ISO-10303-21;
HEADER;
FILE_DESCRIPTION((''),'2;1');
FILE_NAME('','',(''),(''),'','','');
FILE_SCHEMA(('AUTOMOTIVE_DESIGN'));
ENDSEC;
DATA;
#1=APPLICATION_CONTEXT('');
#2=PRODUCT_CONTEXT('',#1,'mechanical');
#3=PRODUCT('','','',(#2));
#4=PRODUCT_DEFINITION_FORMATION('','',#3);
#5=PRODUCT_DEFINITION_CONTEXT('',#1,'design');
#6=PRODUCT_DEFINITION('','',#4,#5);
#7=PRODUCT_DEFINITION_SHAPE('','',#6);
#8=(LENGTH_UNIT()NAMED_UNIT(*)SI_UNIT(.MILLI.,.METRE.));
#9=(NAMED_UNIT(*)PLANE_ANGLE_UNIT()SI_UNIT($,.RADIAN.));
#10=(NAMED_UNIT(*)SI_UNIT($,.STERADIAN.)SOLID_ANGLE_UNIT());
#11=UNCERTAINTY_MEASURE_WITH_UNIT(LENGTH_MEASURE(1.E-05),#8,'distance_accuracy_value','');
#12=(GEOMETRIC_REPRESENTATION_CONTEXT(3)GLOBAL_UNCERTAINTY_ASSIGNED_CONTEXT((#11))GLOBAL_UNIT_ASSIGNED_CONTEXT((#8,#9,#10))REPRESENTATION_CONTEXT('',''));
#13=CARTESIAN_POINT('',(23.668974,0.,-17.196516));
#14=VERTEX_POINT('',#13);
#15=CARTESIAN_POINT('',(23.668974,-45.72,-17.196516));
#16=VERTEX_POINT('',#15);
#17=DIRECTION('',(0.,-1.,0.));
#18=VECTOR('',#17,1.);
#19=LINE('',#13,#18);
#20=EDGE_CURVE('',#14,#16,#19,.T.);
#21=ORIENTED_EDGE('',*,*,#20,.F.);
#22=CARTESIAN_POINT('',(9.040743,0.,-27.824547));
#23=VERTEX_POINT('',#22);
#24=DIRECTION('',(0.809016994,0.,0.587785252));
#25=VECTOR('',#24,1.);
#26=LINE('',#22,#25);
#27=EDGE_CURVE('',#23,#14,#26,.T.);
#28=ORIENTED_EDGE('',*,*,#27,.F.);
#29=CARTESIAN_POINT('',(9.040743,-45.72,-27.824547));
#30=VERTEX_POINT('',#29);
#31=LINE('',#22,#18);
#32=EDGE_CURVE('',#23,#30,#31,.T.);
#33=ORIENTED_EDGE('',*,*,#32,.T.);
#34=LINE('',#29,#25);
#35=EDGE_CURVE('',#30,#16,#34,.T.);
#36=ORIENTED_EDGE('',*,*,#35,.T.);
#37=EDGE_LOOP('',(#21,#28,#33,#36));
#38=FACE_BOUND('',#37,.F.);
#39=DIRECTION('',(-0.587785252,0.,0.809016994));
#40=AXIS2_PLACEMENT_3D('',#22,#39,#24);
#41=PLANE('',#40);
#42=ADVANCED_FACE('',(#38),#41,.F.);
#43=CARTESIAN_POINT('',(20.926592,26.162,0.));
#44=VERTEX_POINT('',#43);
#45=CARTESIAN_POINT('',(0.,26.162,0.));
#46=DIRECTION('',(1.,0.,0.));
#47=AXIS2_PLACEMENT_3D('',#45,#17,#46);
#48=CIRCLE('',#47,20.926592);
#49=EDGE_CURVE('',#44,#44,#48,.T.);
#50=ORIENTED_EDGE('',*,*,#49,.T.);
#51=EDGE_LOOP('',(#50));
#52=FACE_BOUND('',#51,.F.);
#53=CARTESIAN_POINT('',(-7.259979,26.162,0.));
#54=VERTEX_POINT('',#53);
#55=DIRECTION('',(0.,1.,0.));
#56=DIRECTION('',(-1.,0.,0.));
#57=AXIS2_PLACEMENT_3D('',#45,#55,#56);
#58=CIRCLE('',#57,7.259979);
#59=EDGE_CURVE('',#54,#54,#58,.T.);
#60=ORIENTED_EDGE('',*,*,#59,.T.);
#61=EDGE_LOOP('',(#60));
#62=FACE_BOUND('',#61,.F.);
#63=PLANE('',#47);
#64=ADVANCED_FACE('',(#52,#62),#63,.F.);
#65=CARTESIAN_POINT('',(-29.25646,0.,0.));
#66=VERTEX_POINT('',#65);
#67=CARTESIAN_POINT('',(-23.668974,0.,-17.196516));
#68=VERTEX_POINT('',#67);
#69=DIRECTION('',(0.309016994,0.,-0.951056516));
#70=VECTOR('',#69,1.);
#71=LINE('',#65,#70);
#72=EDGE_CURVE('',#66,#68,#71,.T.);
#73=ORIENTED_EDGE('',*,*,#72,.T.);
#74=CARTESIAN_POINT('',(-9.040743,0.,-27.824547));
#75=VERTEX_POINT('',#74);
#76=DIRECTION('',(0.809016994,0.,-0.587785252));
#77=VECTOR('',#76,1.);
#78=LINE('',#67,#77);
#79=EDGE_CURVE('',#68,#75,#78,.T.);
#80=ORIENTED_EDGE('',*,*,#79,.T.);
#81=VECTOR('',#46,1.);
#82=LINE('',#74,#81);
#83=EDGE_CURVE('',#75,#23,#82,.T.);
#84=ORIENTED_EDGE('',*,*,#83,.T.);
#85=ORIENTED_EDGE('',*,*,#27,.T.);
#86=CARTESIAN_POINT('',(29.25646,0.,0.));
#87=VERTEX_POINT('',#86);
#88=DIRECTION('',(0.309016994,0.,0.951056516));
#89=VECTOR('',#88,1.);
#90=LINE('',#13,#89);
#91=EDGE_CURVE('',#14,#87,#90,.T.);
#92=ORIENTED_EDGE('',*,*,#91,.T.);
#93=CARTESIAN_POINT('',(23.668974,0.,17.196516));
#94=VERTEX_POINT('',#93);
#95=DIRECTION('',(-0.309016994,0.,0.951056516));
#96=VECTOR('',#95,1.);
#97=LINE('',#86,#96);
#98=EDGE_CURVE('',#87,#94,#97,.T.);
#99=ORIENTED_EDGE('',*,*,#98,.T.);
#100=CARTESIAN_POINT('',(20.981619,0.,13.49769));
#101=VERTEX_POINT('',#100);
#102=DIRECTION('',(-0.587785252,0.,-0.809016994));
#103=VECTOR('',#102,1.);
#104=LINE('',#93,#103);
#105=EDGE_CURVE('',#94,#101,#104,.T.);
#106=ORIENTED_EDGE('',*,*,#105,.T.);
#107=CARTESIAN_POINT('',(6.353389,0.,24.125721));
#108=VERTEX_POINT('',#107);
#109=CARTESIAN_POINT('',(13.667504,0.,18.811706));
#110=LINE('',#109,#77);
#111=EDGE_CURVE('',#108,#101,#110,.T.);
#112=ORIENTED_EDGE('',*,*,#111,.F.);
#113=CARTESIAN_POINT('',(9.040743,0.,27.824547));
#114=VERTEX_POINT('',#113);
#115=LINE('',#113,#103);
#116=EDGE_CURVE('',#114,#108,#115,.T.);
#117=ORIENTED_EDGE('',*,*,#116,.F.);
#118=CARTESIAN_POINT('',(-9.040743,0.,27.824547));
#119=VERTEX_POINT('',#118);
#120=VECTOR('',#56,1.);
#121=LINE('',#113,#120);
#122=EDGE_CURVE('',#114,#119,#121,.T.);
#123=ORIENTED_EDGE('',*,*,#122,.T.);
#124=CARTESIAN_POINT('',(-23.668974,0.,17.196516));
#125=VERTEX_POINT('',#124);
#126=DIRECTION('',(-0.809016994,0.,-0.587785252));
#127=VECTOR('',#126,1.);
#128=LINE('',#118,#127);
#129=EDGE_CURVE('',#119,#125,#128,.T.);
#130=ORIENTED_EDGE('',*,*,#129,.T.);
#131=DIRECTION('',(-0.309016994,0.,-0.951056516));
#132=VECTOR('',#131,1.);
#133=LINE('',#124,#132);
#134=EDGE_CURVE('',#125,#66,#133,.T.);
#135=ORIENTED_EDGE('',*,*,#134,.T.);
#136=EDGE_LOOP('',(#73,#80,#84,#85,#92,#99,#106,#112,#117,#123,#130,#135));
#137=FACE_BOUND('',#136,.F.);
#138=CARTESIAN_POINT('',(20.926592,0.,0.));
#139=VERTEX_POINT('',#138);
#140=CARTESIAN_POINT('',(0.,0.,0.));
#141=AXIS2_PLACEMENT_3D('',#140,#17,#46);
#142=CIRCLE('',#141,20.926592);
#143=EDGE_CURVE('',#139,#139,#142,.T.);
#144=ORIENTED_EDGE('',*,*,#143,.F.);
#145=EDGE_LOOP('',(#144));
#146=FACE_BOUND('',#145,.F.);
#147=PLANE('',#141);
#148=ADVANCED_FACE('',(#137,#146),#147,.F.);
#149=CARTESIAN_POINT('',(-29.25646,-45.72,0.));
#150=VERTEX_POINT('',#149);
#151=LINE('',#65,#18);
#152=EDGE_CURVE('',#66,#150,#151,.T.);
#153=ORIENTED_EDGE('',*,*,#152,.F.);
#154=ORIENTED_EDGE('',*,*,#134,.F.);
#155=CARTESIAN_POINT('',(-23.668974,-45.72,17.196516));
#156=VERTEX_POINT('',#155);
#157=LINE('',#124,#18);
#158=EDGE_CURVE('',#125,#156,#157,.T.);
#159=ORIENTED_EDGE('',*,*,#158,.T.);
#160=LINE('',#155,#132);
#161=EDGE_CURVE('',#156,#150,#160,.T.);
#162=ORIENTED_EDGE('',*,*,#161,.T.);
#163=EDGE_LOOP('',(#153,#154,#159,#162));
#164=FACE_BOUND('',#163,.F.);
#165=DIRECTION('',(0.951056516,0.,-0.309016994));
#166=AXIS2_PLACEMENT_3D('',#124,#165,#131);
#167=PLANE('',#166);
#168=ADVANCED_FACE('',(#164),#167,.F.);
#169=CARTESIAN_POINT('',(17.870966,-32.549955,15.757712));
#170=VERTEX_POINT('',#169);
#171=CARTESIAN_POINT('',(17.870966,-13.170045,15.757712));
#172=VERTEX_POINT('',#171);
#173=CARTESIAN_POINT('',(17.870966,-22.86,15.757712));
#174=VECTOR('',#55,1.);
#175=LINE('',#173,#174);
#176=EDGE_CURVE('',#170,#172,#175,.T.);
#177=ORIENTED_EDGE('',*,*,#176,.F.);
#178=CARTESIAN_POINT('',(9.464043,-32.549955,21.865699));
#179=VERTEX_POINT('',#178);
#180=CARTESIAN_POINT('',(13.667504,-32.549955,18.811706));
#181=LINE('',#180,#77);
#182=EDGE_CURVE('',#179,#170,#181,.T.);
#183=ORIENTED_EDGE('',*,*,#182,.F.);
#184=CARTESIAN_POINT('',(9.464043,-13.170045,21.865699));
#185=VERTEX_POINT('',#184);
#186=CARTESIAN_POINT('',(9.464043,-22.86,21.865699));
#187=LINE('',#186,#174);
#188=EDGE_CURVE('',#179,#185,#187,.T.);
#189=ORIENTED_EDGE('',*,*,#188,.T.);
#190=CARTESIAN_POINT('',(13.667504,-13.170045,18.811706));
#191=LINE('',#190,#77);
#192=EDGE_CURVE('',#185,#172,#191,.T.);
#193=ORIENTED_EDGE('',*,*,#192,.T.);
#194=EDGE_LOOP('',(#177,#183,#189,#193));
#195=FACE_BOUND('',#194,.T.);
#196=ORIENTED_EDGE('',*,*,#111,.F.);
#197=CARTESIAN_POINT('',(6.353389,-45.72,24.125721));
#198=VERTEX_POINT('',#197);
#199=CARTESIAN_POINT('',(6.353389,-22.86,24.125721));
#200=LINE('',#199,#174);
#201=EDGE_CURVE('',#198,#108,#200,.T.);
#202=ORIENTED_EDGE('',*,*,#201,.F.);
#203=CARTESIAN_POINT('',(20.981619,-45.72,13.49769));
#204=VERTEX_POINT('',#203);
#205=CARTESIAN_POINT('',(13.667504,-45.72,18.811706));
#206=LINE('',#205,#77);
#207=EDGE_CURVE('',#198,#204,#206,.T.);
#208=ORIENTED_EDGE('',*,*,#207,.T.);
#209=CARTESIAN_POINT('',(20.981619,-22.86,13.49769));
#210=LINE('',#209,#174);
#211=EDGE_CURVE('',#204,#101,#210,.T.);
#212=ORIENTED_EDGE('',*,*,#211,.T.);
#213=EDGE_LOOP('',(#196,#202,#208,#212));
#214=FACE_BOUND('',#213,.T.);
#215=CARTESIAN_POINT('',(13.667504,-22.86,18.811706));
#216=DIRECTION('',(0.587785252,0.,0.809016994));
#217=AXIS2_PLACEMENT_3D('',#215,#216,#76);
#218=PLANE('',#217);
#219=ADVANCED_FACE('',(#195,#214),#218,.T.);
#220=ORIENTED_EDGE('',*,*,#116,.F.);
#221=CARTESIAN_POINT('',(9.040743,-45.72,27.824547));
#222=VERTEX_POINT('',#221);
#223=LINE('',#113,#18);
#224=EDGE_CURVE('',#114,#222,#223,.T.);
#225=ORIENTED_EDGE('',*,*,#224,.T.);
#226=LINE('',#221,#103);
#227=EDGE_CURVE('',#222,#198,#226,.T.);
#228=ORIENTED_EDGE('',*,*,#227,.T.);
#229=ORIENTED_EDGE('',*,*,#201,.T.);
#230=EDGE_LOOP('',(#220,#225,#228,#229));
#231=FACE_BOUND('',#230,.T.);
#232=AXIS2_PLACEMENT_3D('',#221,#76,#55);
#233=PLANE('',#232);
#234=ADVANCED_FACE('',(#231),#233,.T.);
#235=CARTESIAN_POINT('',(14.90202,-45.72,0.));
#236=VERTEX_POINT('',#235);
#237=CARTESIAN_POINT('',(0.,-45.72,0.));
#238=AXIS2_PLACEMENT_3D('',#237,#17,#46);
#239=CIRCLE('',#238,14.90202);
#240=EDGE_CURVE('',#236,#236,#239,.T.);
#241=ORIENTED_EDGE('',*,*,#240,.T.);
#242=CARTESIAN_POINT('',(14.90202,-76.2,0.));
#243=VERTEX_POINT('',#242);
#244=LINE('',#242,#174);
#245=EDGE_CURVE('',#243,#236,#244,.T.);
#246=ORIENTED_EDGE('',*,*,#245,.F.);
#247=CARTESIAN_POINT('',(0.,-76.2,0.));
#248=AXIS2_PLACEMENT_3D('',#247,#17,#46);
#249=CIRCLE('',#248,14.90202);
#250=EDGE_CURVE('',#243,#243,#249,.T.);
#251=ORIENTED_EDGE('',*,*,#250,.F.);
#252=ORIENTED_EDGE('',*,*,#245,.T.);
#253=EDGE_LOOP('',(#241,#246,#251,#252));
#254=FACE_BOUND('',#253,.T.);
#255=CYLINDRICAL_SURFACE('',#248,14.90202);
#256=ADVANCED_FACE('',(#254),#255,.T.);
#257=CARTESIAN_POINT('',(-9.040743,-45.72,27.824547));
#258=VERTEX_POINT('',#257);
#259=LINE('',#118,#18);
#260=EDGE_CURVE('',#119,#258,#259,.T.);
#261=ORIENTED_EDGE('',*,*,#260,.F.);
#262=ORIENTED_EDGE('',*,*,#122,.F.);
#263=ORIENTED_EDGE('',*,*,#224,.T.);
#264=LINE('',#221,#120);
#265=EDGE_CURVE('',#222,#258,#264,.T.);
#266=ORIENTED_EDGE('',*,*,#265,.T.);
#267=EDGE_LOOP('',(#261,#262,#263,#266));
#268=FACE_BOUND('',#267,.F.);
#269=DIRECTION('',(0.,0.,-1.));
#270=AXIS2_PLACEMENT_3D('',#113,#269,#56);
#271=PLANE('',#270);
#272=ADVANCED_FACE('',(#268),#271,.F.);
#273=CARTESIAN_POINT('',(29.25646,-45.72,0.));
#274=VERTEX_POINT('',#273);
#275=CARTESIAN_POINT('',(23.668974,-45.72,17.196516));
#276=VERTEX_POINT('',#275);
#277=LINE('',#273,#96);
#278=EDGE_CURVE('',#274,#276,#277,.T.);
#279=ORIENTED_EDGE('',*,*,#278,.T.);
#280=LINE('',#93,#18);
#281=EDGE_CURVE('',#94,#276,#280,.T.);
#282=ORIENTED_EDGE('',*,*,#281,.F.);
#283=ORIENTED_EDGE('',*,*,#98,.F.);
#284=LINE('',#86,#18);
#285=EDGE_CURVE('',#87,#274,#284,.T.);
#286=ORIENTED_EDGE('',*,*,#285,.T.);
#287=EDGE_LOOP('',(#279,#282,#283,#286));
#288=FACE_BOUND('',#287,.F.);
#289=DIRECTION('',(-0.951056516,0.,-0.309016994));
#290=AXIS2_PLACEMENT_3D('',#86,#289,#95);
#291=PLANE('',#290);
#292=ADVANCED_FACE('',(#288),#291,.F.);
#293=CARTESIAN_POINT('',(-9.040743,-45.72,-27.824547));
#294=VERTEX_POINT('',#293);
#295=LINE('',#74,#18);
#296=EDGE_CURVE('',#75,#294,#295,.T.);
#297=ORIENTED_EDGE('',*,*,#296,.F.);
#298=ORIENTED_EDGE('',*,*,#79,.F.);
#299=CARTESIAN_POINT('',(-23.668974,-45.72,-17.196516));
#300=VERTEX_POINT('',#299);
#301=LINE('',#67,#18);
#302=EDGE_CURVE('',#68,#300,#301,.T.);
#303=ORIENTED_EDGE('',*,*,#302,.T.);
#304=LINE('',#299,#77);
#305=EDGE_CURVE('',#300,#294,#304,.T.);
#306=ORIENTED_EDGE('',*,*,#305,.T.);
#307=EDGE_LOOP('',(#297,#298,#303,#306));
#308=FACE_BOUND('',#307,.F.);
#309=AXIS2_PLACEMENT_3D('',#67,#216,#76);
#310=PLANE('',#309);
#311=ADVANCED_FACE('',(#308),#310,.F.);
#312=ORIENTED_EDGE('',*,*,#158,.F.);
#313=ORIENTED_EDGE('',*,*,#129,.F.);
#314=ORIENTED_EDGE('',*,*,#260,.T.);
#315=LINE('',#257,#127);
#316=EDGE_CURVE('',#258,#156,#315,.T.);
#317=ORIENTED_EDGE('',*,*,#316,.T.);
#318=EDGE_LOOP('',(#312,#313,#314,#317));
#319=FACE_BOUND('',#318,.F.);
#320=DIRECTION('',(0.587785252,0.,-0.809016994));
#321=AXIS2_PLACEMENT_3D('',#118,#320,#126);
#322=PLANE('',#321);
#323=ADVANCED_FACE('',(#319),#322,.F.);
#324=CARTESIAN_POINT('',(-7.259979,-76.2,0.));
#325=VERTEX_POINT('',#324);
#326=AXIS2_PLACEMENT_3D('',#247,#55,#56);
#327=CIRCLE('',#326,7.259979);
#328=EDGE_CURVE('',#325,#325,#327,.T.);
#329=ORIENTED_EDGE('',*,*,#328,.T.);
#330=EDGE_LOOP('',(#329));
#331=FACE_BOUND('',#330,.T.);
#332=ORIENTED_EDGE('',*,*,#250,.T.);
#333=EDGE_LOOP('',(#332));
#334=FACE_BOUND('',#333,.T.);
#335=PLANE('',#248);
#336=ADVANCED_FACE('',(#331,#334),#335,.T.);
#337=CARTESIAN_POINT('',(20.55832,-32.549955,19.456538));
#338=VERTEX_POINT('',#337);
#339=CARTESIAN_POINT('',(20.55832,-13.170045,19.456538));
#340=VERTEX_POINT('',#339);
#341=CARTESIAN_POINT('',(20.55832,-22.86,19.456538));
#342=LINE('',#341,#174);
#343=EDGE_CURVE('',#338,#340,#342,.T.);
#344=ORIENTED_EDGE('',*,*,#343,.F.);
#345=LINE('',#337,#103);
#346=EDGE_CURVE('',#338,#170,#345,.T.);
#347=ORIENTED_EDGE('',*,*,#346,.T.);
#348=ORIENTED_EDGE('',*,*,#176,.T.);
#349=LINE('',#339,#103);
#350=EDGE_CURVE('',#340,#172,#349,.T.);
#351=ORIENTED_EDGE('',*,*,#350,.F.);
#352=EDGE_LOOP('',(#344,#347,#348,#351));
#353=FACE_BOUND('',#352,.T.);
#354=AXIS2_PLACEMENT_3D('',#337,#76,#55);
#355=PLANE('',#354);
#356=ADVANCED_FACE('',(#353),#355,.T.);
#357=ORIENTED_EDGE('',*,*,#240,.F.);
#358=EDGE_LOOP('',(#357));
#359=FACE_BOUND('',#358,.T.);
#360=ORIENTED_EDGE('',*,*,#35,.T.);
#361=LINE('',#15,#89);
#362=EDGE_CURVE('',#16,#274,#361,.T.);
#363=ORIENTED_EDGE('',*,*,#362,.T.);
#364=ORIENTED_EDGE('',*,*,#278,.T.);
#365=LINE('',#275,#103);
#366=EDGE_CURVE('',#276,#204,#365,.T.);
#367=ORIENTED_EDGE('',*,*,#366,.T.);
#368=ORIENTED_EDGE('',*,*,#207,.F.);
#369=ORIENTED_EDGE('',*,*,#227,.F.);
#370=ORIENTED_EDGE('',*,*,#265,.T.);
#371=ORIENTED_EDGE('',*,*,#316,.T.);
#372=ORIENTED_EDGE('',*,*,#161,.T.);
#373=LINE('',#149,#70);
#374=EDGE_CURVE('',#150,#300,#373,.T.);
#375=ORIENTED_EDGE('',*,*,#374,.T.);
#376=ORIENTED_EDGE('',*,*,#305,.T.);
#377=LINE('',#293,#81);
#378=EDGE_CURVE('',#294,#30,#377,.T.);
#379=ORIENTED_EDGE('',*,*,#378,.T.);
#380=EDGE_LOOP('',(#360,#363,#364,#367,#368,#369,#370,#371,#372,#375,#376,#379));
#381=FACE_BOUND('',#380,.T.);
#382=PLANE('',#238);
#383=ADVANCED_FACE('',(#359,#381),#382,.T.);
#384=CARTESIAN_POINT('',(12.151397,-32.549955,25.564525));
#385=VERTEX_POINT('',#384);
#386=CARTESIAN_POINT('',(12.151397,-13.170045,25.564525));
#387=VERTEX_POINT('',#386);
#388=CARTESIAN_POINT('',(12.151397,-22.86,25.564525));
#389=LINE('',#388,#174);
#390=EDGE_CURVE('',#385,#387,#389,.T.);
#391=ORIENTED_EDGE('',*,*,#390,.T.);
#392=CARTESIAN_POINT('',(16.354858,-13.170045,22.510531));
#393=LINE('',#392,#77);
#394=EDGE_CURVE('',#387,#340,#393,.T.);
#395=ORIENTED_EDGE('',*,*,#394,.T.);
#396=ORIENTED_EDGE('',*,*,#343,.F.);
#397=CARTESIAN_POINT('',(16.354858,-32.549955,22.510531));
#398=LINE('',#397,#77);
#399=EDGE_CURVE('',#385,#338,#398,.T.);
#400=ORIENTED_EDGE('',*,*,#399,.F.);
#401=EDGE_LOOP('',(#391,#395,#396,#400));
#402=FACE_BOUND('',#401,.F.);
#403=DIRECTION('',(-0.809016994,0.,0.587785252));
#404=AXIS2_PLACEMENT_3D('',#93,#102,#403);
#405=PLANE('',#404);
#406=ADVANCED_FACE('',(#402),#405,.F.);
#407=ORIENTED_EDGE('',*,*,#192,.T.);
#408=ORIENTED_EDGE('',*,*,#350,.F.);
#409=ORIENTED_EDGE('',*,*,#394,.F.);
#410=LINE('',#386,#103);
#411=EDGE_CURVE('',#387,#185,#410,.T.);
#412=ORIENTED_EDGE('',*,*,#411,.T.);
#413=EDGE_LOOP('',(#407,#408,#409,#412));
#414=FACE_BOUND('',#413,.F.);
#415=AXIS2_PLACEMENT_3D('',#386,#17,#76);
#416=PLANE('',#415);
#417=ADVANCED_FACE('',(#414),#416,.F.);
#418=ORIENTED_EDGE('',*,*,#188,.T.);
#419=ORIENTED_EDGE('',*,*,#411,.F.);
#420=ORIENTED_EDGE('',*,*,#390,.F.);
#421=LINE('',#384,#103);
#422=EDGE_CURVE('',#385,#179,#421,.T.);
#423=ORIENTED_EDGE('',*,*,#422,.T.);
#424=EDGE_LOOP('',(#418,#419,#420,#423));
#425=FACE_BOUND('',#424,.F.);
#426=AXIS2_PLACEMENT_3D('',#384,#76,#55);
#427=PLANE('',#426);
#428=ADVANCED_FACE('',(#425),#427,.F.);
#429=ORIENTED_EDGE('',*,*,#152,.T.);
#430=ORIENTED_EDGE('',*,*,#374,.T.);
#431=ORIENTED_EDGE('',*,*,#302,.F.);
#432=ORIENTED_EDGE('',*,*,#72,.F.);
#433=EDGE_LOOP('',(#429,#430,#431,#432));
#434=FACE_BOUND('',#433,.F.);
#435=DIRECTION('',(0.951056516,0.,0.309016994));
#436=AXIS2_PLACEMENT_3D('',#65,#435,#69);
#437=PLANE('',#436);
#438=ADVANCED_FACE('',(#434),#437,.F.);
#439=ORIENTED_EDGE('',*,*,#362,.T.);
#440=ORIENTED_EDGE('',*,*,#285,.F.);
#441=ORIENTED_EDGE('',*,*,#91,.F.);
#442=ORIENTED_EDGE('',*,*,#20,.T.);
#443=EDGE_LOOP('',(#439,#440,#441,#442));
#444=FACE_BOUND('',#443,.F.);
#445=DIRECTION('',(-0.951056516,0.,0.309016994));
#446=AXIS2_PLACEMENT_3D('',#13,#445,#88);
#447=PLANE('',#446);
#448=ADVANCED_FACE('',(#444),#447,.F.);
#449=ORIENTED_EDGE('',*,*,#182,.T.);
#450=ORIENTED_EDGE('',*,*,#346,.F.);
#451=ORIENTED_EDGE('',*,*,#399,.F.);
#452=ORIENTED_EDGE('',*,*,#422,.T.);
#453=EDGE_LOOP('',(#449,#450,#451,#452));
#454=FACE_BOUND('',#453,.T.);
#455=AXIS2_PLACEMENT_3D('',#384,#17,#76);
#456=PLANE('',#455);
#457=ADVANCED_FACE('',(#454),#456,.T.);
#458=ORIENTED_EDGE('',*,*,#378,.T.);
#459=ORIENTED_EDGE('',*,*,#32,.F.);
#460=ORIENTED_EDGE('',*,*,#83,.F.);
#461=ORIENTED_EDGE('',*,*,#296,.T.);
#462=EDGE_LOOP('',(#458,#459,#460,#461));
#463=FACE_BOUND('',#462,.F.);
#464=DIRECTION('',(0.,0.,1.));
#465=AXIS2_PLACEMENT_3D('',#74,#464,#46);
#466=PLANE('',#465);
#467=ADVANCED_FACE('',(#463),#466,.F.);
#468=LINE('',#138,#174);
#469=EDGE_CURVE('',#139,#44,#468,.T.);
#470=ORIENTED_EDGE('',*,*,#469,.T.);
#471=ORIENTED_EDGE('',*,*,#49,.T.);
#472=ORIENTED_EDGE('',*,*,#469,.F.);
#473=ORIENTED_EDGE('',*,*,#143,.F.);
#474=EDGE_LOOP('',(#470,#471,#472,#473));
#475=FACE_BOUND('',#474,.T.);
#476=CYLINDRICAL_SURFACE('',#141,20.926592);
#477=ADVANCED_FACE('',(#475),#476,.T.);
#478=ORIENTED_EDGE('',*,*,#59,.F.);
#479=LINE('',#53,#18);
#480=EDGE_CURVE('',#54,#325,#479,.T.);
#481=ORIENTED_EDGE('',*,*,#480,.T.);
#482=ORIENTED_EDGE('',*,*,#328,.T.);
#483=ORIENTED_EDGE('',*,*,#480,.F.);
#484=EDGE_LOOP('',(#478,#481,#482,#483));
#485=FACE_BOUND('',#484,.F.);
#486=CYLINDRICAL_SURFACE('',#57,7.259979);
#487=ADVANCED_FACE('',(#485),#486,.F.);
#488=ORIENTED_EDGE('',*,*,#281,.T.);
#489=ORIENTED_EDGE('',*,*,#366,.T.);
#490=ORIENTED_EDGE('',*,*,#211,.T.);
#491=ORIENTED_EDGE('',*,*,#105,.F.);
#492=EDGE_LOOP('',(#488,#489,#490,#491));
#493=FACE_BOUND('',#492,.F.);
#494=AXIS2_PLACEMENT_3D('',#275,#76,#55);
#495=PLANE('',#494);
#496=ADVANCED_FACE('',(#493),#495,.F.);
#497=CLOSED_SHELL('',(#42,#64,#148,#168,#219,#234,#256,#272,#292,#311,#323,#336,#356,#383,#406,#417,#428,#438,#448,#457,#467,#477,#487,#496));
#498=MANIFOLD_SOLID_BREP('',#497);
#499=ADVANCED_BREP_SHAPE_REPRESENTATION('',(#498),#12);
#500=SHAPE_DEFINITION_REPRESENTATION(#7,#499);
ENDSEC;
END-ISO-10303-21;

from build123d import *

# Parameters (mm, degrees)
F1_DEPTH = 76.2
F2_R     = 14.9020196794
F3_DEPTH = 30.48
F4_R     = 20.9265916745
F5_DEPTH = 26.162
F6_W     = 18.0814868103
F6_H     = 45.72
F6_W_2   = 10.3915287182
F6_H_2   = 19.3799102616
F7_DEPTH = 4.572
F8_R     = 7.2599789629
F9_DEPTH = 110.998


with BuildPart() as f1:
    # F0 (on Front) → F1 (new body)
    with BuildSketch(Plane.XZ):
        Polygon((9.0407434051, 27.8245471418), (-9.0407434051, 27.8245471418), (-23.6689735182, 17.1965158552), (-29.2564602261, 0), (-23.6689735182, -17.1965158552), (-9.0407434051, -27.8245471418), (9.0407434051, -27.8245471418), (23.6689735182, -17.1965158552), (29.2564602261, 0), (23.6689735182, 17.1965158552), align=None)
    extrude(amount=F1_DEPTH)

    # F2 (on face) → F3 (cut)
    with BuildSketch(Plane.XZ.offset(76.2)):
        Polygon((29.2564602261, 0), (23.6689735182, 17.1965158552), (9.0407434051, 27.8245471418), (-9.0407434051, 27.8245471418), (-23.6689735182, 17.1965158552), (-29.2564602261, 0), (-23.6689735182, -17.1965158552), (-9.0407434051, -27.8245471418), (9.0407434051, -27.8245471418), (23.6689735182, -17.1965158552), align=None)
        Circle(F2_R, mode=Mode.SUBTRACT)
    extrude(amount=-F3_DEPTH, mode=Mode.SUBTRACT)

    # F4 (on Front) → F5 (join)
    with BuildSketch(Plane.XZ):
        Circle(F4_R)
    extrude(amount=-F5_DEPTH)

    # F6 (on face) → F7 (cut)
    with BuildSketch(Plane(origin=(16.3548584617, 0, 22.5105314985), x_dir=(0.8090169944, 0, -0.5877852523), z_dir=(0.5877852523, 0, 0.8090169944))):
        with Locations((0, -22.86)):
            Rectangle(F6_W, F6_H)
        with Locations((0, -22.86)):
            Rectangle(F6_W_2, F6_H_2, mode=Mode.SUBTRACT)
    extrude(amount=-F7_DEPTH, mode=Mode.SUBTRACT)

    # F8 (on face) → F9 (cut)
    with BuildSketch(Plane(origin=(0, 26.162, 0), x_dir=(-1, 0, 0), z_dir=(0, 1, 0))):
        Circle(F8_R)
    extrude(amount=-F9_DEPTH, mode=Mode.SUBTRACT)


solid = f1.part
